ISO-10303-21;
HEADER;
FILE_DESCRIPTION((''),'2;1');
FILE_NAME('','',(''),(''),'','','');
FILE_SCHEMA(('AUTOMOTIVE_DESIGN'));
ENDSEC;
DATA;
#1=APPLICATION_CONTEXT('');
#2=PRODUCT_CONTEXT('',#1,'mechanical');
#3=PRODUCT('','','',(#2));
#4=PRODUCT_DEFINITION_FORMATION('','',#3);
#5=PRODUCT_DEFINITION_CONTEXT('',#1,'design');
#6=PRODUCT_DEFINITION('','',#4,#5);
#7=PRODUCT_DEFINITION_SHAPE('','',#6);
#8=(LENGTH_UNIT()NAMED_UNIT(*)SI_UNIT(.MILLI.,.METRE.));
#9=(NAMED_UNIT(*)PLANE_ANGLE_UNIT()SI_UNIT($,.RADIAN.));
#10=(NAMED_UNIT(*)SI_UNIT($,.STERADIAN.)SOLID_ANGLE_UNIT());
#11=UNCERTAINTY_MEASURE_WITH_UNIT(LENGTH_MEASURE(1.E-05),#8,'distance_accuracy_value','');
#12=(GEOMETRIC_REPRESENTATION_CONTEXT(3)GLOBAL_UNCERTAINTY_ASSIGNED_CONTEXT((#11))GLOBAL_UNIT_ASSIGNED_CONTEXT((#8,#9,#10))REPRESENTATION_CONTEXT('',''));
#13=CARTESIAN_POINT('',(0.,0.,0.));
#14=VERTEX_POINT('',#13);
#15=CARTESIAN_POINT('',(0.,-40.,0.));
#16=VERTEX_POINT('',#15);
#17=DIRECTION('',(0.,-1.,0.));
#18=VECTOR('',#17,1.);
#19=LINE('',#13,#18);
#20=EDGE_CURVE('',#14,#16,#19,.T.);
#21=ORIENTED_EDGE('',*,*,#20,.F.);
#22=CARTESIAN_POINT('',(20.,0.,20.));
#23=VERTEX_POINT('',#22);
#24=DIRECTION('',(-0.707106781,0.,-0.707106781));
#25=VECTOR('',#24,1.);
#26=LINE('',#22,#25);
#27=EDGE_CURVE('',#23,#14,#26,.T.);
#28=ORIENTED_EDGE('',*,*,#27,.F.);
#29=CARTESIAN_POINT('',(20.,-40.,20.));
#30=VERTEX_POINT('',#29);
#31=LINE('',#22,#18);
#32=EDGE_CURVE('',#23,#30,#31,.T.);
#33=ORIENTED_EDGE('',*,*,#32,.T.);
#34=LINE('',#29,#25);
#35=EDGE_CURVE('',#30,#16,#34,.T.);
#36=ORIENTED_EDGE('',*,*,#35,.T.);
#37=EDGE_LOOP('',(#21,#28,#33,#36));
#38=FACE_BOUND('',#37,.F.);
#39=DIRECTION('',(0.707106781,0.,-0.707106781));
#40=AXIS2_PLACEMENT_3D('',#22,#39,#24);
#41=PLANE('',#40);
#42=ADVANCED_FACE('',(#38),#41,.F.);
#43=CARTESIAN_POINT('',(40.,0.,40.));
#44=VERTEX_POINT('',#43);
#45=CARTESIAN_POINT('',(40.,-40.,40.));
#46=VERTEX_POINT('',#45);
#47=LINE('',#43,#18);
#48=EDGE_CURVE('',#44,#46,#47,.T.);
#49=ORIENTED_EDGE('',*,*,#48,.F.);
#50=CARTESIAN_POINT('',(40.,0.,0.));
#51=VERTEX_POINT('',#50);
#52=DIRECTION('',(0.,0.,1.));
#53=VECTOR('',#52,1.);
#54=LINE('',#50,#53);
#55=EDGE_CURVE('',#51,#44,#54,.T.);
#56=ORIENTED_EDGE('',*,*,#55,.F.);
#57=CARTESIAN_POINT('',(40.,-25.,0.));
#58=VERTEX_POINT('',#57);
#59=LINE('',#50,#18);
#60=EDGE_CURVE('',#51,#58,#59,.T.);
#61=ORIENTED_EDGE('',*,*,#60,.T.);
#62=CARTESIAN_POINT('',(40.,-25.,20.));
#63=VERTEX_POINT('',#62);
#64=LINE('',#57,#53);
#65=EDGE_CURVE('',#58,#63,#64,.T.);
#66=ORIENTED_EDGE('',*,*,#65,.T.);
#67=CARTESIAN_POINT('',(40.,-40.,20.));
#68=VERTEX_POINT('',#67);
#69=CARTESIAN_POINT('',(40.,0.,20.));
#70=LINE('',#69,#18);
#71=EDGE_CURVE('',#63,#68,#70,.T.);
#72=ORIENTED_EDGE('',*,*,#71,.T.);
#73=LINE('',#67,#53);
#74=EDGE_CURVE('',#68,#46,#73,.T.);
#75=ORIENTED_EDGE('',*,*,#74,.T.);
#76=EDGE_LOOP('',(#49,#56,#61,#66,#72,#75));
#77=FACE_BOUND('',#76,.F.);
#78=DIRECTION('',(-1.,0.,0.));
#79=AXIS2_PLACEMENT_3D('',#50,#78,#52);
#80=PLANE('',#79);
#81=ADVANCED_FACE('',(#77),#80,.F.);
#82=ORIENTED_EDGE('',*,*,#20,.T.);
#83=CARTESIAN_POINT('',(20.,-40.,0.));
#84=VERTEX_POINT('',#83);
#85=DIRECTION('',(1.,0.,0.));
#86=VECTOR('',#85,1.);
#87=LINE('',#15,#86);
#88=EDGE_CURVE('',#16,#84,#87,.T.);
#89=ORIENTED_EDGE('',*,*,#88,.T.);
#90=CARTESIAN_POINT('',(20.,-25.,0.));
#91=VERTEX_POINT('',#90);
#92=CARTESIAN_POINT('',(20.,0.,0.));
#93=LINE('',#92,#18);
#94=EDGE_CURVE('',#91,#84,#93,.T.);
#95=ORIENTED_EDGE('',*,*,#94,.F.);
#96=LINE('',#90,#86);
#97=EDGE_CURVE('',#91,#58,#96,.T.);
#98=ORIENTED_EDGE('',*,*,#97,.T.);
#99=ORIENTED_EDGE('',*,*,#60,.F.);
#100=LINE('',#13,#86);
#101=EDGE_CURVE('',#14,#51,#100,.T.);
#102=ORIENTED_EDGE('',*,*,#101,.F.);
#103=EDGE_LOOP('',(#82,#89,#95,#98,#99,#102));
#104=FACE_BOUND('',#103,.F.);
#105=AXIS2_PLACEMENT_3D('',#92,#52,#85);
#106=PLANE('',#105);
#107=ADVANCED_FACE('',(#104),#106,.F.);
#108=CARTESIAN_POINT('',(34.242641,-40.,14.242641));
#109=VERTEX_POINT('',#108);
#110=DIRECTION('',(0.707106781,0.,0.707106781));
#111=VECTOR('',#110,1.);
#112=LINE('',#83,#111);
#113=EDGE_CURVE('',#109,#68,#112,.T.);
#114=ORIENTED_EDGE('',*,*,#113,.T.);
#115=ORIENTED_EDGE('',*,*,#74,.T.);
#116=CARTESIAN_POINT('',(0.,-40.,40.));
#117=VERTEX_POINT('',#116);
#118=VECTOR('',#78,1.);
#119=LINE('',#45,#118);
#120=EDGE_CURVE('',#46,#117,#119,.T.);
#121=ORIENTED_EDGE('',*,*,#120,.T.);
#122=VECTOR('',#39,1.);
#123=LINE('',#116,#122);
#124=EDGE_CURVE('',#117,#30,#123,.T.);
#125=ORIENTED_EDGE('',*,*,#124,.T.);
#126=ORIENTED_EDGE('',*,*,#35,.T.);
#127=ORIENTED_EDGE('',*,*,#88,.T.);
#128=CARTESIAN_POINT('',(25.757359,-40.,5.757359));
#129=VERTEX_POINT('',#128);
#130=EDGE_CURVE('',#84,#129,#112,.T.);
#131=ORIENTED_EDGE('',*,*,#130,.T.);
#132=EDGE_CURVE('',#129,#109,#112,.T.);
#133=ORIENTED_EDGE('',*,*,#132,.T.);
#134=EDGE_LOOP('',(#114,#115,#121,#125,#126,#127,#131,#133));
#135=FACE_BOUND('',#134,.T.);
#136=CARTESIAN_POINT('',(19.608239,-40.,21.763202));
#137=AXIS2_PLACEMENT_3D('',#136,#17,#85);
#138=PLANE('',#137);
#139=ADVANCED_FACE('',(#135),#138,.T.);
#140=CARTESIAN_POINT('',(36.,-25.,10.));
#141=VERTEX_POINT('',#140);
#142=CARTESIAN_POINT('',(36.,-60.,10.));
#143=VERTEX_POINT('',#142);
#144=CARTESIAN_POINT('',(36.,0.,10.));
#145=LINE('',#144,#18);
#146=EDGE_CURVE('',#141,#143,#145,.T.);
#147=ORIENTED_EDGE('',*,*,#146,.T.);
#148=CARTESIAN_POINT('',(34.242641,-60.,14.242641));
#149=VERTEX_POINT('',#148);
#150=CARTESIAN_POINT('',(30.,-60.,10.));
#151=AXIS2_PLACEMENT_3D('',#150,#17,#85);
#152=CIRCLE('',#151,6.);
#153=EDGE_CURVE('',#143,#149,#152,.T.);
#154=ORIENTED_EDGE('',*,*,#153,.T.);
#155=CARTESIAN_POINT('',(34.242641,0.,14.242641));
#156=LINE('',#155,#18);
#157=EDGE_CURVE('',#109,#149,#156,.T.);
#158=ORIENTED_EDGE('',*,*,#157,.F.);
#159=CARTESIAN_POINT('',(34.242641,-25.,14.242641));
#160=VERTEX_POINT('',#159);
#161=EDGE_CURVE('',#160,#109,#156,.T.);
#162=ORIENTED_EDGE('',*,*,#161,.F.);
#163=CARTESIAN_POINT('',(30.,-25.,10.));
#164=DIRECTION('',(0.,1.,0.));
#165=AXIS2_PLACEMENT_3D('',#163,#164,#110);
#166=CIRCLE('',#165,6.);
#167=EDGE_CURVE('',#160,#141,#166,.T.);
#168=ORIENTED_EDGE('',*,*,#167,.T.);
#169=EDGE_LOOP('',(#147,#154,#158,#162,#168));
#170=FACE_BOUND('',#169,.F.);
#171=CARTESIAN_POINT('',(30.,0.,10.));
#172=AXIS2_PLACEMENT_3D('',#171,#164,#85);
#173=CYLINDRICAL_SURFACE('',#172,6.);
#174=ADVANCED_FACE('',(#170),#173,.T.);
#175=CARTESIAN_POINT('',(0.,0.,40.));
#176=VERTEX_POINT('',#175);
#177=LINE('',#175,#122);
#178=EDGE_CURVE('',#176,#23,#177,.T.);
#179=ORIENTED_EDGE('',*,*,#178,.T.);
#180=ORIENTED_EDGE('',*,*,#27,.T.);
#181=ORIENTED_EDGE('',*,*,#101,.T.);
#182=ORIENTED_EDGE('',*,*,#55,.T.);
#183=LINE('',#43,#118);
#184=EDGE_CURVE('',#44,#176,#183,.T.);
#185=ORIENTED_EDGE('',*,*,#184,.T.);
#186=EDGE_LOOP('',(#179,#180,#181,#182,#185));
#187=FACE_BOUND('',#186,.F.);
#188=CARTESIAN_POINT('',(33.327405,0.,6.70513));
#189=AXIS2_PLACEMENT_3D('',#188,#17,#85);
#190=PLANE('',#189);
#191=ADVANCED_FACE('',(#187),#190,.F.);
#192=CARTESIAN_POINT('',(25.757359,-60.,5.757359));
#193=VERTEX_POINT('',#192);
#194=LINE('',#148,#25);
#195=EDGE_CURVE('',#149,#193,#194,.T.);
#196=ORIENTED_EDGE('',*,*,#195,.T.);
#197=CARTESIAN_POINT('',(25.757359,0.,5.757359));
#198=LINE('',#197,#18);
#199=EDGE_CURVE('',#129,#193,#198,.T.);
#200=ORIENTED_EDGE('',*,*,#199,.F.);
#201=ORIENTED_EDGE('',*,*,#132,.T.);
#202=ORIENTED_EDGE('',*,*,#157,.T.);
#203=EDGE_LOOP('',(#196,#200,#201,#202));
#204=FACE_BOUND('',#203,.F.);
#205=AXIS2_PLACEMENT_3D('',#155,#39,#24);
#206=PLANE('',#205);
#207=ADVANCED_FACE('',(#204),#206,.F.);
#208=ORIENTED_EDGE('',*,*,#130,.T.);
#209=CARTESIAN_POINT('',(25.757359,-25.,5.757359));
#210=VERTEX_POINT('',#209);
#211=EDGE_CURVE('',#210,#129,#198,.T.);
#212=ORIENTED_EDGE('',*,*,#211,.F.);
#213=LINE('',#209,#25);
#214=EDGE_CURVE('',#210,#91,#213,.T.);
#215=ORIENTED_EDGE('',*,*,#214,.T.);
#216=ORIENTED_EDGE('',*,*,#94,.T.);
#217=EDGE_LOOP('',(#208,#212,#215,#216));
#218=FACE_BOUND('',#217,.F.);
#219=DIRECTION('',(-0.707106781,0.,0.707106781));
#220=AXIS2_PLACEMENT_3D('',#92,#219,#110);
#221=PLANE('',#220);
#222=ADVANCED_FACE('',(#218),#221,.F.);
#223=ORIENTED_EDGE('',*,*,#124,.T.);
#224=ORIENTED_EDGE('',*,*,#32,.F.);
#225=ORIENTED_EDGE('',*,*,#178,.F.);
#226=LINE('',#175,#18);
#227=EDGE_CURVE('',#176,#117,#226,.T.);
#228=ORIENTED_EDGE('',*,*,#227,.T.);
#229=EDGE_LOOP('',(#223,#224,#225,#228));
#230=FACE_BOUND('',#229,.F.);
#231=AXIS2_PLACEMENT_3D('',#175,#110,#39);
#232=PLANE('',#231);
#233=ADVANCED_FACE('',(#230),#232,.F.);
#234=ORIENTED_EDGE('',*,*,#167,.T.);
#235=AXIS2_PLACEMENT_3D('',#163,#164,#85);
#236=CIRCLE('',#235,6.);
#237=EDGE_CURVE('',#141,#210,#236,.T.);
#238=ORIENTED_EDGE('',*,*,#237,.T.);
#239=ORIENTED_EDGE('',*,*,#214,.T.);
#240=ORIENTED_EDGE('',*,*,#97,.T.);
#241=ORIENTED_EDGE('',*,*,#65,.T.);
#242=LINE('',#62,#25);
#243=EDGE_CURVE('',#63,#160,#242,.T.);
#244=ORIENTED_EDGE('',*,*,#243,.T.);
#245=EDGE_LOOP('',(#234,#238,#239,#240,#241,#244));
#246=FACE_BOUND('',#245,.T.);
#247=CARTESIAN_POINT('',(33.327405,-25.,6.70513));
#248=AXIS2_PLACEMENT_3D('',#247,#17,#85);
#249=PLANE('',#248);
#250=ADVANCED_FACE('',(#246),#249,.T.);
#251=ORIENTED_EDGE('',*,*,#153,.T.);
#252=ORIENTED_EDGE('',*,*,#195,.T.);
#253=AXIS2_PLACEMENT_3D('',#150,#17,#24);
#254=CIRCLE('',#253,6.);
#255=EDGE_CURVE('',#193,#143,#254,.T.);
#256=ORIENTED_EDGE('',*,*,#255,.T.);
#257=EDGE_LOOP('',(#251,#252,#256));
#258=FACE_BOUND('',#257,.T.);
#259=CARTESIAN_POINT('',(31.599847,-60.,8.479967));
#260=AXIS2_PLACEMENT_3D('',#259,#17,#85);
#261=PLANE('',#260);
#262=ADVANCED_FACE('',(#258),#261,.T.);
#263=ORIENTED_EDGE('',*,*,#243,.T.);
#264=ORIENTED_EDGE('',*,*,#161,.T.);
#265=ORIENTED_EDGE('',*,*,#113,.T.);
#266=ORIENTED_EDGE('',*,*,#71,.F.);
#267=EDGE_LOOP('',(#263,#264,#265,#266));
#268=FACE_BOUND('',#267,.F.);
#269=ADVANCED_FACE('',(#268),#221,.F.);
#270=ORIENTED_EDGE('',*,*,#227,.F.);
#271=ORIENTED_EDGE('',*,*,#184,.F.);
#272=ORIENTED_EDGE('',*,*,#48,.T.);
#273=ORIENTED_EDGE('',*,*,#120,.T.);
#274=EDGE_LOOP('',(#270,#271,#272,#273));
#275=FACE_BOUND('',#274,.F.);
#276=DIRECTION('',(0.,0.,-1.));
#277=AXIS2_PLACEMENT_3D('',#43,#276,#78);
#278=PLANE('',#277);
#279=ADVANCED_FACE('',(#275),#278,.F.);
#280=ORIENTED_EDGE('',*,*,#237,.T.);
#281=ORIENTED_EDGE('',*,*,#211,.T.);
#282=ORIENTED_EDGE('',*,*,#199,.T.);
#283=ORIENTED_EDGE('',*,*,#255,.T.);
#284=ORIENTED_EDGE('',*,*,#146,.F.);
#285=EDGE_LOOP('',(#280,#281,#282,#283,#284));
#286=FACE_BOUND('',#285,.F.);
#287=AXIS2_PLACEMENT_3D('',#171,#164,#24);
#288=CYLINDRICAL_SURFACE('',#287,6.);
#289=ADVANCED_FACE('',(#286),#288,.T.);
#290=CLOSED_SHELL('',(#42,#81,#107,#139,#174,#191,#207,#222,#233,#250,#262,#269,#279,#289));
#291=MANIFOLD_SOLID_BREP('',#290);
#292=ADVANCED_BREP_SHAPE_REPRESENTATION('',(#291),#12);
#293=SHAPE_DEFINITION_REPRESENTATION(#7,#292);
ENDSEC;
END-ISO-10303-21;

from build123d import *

# Parameters (mm, degrees)
F1_DEPTH = 40
F2_DEPTH = 25
F3_DEPTH = 60


with BuildPart() as f1:
    # F0 (on Front) → F1 (new body)
    with BuildSketch(Plane.XZ):
        with BuildLine():
            Line((20, 20), (0, 0))
            Line((0, 0), (20, 0))
            Line((20, 0), (25.7573593129, 5.7573593129))
            ThreePointArc((25.7573593129, 5.7573593129), (25.7573593129, 14.2426406871), (34.2426406871, 14.2426406871))
            Line((34.2426406871, 14.2426406871), (40, 20))
            Line((40, 20), (40, 40))
            Line((40, 40), (0, 40))
            Line((0, 40), (20, 20))
        make_face()
        with BuildLine():
            ThreePointArc((34.2426406871, 14.2426406871), (25.7573593129, 14.2426406871), (25.7573593129, 5.7573593129))
            Line((25.7573593129, 5.7573593129), (34.2426406871, 14.2426406871))
        make_face()
    extrude(amount=F1_DEPTH)

    # F0 (on Front) → F2 (join)
    with BuildSketch(Plane.XZ):
        with BuildLine():
            Line((25.7573593129, 5.7573593129), (20, 0))
            Line((20, 0), (40, 0))
            Line((40, 0), (40, 20))
            Line((40, 20), (34.2426406871, 14.2426406871))
            ThreePointArc((34.2426406871, 14.2426406871), (35.5432771951, 12.2961005942), (36, 10))
            ThreePointArc((36, 10), (32.2961005942, 4.4567228049), (25.7573593129, 5.7573593129))
        make_face()
    extrude(amount=F2_DEPTH)

    # F0 (on Front) → F3 (join)
    with BuildSketch(Plane.XZ):
        with BuildLine():
            Line((34.2426406871, 14.2426406871), (25.7573593129, 5.7573593129))
            ThreePointArc((25.7573593129, 5.7573593129), (32.2961005942, 4.4567228049), (36, 10))
            ThreePointArc((36, 10), (35.5432771951, 12.2961005942), (34.2426406871, 14.2426406871))
        make_face()
    extrude(amount=F3_DEPTH)


solid = f1.part
